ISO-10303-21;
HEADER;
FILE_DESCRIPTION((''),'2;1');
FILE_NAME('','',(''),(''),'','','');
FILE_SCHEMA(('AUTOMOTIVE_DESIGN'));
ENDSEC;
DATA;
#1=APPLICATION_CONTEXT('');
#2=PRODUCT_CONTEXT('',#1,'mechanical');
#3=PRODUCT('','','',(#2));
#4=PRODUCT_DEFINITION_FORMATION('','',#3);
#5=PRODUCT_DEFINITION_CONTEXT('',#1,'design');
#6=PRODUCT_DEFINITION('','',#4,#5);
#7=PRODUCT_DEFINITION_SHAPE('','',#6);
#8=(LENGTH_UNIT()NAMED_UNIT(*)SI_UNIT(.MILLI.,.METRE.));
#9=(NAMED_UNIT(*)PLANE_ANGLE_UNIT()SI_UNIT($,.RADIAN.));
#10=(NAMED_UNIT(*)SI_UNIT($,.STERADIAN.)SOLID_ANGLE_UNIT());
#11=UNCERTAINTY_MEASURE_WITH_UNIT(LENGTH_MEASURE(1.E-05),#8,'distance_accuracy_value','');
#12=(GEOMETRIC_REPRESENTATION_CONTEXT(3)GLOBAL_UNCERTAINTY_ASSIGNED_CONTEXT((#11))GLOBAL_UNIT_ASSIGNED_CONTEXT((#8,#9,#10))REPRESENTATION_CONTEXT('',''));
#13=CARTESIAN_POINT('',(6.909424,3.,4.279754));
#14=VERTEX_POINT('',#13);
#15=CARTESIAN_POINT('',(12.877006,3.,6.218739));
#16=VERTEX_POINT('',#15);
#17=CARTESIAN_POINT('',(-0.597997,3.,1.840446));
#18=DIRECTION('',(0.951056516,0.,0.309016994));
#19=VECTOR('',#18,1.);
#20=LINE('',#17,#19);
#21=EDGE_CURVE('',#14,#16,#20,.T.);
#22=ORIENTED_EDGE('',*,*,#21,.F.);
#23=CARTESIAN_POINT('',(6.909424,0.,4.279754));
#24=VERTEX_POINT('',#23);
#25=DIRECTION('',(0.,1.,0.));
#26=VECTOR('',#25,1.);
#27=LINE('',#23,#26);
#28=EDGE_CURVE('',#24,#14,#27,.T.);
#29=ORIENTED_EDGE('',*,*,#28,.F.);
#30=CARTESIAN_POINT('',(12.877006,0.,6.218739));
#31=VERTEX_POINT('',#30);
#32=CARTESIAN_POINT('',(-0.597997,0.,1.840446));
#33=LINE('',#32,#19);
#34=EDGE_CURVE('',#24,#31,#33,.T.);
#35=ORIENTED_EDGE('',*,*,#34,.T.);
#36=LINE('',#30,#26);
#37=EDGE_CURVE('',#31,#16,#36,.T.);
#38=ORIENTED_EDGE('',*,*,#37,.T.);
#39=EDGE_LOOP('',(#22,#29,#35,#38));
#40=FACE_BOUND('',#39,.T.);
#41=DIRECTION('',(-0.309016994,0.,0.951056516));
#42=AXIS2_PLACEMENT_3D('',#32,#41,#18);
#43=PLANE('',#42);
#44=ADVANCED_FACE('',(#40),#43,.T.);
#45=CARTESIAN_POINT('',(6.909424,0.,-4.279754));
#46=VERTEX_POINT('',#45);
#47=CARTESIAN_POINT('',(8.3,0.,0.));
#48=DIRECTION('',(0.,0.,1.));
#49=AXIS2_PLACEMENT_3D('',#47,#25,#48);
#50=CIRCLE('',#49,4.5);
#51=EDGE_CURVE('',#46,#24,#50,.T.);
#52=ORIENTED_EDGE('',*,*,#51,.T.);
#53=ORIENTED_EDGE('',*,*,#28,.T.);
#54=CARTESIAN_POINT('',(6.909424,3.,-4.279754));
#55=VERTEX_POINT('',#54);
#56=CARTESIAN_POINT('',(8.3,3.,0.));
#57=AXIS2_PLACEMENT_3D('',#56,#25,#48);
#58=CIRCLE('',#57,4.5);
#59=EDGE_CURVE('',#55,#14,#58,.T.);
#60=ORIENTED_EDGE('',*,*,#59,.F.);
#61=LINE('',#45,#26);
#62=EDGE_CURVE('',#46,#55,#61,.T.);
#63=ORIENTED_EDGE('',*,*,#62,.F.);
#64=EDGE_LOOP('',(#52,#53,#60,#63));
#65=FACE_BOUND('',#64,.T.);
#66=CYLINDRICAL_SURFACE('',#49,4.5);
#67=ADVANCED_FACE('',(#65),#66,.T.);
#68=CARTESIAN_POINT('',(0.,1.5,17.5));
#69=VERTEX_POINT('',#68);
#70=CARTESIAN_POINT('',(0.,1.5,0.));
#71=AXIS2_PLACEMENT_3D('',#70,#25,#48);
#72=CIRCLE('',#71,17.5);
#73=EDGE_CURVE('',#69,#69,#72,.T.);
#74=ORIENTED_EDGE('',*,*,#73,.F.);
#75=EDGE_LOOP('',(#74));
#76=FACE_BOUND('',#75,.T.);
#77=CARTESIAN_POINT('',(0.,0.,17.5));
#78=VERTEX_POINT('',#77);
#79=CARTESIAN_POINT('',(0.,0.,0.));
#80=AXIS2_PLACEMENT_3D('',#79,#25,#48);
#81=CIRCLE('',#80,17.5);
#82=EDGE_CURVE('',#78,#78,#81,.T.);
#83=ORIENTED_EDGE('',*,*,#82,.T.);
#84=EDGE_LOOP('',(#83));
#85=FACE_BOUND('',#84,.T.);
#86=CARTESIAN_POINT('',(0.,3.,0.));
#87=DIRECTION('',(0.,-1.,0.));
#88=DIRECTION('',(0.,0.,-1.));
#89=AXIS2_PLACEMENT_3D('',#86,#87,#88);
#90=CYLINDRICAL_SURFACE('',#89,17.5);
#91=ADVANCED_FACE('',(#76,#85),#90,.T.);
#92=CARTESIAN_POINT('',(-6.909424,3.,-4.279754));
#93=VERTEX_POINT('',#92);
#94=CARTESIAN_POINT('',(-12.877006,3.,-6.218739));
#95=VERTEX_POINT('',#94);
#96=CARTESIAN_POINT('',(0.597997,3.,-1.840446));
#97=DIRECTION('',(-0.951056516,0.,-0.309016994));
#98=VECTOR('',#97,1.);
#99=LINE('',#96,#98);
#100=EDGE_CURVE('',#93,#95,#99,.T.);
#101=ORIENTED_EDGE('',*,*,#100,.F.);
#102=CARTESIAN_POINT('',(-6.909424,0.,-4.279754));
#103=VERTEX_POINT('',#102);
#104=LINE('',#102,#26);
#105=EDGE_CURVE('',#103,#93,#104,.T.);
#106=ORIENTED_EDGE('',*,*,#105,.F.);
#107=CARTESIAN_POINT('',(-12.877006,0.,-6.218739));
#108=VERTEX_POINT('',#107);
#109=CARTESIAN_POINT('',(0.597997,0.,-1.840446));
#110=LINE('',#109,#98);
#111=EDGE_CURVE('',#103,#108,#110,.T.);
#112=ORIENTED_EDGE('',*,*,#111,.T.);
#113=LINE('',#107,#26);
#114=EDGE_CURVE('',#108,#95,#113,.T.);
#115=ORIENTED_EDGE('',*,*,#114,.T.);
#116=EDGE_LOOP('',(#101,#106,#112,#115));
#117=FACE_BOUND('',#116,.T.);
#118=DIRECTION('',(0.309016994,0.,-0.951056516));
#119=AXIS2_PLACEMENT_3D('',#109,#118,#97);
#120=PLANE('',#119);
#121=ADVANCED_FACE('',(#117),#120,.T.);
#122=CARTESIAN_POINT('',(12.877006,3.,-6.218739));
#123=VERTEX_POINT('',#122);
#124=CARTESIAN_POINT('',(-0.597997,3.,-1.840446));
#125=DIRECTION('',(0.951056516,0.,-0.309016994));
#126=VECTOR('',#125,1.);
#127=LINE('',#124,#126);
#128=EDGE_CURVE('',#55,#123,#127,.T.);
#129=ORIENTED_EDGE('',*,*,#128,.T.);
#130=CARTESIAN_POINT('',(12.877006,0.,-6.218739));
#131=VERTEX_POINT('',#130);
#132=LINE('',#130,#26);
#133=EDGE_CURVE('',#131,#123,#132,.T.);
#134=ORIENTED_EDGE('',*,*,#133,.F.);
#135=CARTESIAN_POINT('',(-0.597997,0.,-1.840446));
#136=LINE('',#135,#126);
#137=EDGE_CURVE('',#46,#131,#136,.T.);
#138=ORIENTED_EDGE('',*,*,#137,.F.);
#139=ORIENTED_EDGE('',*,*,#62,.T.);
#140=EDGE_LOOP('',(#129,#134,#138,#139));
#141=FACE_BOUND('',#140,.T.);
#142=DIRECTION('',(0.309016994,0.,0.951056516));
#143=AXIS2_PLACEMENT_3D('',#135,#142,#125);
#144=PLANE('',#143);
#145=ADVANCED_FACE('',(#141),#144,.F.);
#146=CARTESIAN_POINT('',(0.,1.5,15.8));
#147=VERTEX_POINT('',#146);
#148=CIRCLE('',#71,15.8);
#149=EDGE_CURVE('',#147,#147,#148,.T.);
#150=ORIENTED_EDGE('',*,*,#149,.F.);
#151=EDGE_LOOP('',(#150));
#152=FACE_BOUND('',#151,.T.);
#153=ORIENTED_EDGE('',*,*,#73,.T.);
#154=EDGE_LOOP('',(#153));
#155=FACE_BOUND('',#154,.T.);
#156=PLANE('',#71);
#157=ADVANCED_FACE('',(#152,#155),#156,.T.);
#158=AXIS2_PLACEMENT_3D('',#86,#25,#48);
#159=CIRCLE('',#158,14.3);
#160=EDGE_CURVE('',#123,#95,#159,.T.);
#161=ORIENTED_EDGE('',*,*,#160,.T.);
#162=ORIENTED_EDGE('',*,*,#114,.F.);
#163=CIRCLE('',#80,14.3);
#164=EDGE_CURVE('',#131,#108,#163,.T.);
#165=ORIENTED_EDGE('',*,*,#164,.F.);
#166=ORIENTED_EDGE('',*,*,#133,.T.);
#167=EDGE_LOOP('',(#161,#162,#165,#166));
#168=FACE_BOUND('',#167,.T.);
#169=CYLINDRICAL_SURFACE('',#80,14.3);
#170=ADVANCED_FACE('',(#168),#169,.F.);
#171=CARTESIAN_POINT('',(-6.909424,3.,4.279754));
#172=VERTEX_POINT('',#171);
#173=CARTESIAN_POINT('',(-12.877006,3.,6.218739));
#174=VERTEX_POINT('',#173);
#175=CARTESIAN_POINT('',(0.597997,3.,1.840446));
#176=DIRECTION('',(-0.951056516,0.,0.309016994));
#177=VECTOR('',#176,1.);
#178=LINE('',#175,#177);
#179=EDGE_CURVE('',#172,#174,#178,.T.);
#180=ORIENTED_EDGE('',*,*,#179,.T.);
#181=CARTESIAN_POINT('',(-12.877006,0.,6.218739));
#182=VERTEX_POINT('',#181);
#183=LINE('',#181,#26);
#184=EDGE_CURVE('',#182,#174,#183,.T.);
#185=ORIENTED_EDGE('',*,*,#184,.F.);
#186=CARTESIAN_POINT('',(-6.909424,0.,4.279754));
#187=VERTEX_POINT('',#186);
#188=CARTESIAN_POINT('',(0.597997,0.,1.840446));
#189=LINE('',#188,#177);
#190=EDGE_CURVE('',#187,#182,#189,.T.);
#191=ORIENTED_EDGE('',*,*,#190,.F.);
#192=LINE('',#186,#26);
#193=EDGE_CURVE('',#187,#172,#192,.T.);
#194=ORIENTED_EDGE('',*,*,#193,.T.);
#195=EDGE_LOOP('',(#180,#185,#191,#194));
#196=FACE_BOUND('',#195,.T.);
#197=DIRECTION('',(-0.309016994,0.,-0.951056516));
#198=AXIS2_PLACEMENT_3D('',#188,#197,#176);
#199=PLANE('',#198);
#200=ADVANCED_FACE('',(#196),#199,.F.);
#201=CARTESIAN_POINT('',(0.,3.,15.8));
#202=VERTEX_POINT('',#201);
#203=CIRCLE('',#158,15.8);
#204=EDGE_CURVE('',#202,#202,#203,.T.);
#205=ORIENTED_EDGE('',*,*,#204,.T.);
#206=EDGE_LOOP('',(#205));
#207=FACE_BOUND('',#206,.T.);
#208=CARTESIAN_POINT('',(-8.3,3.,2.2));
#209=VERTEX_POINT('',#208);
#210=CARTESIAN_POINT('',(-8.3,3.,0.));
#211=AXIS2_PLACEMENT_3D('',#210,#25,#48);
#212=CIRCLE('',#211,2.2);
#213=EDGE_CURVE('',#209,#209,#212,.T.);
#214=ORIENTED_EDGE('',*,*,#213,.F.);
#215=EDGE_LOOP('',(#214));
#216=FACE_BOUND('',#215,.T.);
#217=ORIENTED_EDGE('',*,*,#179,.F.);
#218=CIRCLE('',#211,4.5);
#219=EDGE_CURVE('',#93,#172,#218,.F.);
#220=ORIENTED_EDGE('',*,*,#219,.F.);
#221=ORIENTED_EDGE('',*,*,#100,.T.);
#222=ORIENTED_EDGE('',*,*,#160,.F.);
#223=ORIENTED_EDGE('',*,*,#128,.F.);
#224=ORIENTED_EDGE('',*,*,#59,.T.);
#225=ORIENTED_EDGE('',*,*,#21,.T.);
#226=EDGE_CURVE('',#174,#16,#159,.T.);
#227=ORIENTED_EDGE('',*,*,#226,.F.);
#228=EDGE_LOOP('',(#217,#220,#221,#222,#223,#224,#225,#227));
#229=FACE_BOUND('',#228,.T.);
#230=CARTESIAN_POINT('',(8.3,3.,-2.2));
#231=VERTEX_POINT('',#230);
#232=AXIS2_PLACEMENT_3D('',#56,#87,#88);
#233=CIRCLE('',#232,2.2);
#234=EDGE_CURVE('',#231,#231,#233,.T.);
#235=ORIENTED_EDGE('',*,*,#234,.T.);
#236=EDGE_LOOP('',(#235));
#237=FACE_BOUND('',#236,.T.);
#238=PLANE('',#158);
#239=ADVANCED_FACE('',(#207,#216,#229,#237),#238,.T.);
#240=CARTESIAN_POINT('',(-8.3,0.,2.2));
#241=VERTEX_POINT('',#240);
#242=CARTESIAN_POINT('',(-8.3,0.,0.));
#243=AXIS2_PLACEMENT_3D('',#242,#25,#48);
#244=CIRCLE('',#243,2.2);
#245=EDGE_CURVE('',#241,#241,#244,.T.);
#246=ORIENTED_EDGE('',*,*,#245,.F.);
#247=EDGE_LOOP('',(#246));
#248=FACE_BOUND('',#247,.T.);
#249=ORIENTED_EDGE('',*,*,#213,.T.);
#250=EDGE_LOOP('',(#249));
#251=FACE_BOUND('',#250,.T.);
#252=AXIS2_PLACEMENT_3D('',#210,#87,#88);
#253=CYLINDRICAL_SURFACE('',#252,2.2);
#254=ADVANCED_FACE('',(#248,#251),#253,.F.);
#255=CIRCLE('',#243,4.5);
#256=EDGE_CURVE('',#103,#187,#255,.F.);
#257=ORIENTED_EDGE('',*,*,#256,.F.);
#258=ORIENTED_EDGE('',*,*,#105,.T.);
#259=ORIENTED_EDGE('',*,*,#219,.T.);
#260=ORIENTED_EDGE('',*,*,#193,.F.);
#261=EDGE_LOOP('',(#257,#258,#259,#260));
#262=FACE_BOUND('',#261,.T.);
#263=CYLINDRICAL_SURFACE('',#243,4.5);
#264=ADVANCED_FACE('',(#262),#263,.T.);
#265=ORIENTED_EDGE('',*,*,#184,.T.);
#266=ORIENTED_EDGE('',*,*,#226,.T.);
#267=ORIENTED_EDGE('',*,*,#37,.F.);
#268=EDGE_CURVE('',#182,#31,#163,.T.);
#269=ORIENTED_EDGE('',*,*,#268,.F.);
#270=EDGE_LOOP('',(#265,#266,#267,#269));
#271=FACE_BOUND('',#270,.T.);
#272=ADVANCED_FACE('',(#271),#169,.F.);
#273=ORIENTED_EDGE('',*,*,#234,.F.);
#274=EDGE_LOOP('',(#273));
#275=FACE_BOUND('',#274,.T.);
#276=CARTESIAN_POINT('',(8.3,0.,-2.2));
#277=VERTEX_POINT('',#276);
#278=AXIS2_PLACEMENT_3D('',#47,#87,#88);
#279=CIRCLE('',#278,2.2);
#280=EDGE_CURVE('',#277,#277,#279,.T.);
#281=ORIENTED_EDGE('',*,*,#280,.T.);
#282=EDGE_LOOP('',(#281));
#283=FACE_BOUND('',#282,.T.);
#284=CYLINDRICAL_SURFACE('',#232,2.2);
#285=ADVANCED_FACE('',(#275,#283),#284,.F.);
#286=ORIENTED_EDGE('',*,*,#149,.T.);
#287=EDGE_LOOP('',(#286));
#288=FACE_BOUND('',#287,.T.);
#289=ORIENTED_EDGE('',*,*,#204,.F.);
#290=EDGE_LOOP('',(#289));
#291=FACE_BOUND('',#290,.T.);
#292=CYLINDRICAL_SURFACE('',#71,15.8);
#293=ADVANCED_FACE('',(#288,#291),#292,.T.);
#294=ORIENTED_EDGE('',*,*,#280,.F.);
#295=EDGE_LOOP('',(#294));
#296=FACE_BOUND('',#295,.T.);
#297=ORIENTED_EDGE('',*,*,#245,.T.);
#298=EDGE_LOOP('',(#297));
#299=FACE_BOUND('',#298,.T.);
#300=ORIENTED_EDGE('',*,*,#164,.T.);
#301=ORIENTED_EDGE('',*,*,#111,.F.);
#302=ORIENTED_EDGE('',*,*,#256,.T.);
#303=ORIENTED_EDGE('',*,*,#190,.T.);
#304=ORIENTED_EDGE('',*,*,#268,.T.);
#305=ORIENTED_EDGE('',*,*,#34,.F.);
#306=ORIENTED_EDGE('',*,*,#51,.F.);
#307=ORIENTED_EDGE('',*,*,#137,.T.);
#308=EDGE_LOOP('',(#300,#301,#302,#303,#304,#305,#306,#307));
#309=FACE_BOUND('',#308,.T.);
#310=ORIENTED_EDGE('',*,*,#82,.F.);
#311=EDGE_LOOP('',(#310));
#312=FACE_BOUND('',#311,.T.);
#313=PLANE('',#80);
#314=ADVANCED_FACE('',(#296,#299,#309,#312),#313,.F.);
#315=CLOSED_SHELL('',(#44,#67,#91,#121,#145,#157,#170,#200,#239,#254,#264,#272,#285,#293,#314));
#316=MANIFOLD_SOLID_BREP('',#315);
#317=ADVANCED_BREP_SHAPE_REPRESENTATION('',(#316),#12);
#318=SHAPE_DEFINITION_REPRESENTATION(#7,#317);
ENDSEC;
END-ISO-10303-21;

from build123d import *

# Parameters (mm, degrees)
SKETCH2_R           = 17.5
SKETCH2_R_2         = 2.2
BOSS_EXTRUDE2_DEPTH = 3
SKETCH3_OUTSIDE_W   = 46.918
SKETCH3_OUTSIDE_H   = 46.918
SKETCH3_OUTSIDE_R   = 15.8
CUT_EXTRUDE1_DEPTH  = 1.5
CUT_EXTRUDE2_DEPTH  = 25.929901725


with BuildPart() as part:
    # Sketch2 → Boss-Extrude2 (new body)
    with BuildSketch(Plane(origin=(0, 0, 0), x_dir=(1, 0, 0), z_dir=(0, 1, 0))):
        with Locations(Location((0, 0, 0), (0, 0, 270))):
            Circle(SKETCH2_R)
        with Locations(Location((-8.3, 0, 0), (0, 0, 270))):
            Circle(SKETCH2_R_2, mode=Mode.SUBTRACT)
        with Locations(Location((8.3, 0, 0), (0, 0, 90))):
            Circle(SKETCH2_R_2, mode=Mode.SUBTRACT)
    extrude(amount=BOSS_EXTRUDE2_DEPTH)

    # Sketch3 outside → Cut-Extrude1 (cut)
    with BuildSketch(Plane(origin=(0, 3, 0), x_dir=(1, 0, 0), z_dir=(0, 1, 0))):
        Rectangle(SKETCH3_OUTSIDE_W, SKETCH3_OUTSIDE_H)
        with Locations(Location((0, 0, 0), (0, 0, 270))):
            Circle(SKETCH3_OUTSIDE_R, mode=Mode.SUBTRACT)
    extrude(amount=-CUT_EXTRUDE1_DEPTH, mode=Mode.SUBTRACT)

    # Sketch4 → Cut-Extrude2 (cut, through all)
    with BuildSketch(Plane(origin=(0, 3, 0), x_dir=(1, 0, 0), z_dir=(0, 1, 0))):
        with BuildLine():
            ThreePointArc((-6.909423525, 4.279754323), (-3.8, 0), (-6.909423525, -4.279754323))
            Line((-6.909423525, -4.279754323), (-12.877005888, -6.218739372))
            ThreePointArc((-12.877005888, -6.218739372), (0, -14.3), (12.877005888, -6.218739372))
            Line((12.877005888, -6.218739372), (6.909423525, -4.279754323))
            ThreePointArc((6.909423525, -4.279754323), (3.8, 0), (6.909423525, 4.279754323))
            Line((6.909423525, 4.279754323), (12.877005888, 6.218739372))
            ThreePointArc((12.877005888, 6.218739372), (0, 14.3), (-12.877005888, 6.218739372))
            Line((-12.877005888, 6.218739372), (-6.909423525, 4.279754323))
        make_face()
    extrude(amount=-CUT_EXTRUDE2_DEPTH, mode=Mode.SUBTRACT)


solid = part.part
